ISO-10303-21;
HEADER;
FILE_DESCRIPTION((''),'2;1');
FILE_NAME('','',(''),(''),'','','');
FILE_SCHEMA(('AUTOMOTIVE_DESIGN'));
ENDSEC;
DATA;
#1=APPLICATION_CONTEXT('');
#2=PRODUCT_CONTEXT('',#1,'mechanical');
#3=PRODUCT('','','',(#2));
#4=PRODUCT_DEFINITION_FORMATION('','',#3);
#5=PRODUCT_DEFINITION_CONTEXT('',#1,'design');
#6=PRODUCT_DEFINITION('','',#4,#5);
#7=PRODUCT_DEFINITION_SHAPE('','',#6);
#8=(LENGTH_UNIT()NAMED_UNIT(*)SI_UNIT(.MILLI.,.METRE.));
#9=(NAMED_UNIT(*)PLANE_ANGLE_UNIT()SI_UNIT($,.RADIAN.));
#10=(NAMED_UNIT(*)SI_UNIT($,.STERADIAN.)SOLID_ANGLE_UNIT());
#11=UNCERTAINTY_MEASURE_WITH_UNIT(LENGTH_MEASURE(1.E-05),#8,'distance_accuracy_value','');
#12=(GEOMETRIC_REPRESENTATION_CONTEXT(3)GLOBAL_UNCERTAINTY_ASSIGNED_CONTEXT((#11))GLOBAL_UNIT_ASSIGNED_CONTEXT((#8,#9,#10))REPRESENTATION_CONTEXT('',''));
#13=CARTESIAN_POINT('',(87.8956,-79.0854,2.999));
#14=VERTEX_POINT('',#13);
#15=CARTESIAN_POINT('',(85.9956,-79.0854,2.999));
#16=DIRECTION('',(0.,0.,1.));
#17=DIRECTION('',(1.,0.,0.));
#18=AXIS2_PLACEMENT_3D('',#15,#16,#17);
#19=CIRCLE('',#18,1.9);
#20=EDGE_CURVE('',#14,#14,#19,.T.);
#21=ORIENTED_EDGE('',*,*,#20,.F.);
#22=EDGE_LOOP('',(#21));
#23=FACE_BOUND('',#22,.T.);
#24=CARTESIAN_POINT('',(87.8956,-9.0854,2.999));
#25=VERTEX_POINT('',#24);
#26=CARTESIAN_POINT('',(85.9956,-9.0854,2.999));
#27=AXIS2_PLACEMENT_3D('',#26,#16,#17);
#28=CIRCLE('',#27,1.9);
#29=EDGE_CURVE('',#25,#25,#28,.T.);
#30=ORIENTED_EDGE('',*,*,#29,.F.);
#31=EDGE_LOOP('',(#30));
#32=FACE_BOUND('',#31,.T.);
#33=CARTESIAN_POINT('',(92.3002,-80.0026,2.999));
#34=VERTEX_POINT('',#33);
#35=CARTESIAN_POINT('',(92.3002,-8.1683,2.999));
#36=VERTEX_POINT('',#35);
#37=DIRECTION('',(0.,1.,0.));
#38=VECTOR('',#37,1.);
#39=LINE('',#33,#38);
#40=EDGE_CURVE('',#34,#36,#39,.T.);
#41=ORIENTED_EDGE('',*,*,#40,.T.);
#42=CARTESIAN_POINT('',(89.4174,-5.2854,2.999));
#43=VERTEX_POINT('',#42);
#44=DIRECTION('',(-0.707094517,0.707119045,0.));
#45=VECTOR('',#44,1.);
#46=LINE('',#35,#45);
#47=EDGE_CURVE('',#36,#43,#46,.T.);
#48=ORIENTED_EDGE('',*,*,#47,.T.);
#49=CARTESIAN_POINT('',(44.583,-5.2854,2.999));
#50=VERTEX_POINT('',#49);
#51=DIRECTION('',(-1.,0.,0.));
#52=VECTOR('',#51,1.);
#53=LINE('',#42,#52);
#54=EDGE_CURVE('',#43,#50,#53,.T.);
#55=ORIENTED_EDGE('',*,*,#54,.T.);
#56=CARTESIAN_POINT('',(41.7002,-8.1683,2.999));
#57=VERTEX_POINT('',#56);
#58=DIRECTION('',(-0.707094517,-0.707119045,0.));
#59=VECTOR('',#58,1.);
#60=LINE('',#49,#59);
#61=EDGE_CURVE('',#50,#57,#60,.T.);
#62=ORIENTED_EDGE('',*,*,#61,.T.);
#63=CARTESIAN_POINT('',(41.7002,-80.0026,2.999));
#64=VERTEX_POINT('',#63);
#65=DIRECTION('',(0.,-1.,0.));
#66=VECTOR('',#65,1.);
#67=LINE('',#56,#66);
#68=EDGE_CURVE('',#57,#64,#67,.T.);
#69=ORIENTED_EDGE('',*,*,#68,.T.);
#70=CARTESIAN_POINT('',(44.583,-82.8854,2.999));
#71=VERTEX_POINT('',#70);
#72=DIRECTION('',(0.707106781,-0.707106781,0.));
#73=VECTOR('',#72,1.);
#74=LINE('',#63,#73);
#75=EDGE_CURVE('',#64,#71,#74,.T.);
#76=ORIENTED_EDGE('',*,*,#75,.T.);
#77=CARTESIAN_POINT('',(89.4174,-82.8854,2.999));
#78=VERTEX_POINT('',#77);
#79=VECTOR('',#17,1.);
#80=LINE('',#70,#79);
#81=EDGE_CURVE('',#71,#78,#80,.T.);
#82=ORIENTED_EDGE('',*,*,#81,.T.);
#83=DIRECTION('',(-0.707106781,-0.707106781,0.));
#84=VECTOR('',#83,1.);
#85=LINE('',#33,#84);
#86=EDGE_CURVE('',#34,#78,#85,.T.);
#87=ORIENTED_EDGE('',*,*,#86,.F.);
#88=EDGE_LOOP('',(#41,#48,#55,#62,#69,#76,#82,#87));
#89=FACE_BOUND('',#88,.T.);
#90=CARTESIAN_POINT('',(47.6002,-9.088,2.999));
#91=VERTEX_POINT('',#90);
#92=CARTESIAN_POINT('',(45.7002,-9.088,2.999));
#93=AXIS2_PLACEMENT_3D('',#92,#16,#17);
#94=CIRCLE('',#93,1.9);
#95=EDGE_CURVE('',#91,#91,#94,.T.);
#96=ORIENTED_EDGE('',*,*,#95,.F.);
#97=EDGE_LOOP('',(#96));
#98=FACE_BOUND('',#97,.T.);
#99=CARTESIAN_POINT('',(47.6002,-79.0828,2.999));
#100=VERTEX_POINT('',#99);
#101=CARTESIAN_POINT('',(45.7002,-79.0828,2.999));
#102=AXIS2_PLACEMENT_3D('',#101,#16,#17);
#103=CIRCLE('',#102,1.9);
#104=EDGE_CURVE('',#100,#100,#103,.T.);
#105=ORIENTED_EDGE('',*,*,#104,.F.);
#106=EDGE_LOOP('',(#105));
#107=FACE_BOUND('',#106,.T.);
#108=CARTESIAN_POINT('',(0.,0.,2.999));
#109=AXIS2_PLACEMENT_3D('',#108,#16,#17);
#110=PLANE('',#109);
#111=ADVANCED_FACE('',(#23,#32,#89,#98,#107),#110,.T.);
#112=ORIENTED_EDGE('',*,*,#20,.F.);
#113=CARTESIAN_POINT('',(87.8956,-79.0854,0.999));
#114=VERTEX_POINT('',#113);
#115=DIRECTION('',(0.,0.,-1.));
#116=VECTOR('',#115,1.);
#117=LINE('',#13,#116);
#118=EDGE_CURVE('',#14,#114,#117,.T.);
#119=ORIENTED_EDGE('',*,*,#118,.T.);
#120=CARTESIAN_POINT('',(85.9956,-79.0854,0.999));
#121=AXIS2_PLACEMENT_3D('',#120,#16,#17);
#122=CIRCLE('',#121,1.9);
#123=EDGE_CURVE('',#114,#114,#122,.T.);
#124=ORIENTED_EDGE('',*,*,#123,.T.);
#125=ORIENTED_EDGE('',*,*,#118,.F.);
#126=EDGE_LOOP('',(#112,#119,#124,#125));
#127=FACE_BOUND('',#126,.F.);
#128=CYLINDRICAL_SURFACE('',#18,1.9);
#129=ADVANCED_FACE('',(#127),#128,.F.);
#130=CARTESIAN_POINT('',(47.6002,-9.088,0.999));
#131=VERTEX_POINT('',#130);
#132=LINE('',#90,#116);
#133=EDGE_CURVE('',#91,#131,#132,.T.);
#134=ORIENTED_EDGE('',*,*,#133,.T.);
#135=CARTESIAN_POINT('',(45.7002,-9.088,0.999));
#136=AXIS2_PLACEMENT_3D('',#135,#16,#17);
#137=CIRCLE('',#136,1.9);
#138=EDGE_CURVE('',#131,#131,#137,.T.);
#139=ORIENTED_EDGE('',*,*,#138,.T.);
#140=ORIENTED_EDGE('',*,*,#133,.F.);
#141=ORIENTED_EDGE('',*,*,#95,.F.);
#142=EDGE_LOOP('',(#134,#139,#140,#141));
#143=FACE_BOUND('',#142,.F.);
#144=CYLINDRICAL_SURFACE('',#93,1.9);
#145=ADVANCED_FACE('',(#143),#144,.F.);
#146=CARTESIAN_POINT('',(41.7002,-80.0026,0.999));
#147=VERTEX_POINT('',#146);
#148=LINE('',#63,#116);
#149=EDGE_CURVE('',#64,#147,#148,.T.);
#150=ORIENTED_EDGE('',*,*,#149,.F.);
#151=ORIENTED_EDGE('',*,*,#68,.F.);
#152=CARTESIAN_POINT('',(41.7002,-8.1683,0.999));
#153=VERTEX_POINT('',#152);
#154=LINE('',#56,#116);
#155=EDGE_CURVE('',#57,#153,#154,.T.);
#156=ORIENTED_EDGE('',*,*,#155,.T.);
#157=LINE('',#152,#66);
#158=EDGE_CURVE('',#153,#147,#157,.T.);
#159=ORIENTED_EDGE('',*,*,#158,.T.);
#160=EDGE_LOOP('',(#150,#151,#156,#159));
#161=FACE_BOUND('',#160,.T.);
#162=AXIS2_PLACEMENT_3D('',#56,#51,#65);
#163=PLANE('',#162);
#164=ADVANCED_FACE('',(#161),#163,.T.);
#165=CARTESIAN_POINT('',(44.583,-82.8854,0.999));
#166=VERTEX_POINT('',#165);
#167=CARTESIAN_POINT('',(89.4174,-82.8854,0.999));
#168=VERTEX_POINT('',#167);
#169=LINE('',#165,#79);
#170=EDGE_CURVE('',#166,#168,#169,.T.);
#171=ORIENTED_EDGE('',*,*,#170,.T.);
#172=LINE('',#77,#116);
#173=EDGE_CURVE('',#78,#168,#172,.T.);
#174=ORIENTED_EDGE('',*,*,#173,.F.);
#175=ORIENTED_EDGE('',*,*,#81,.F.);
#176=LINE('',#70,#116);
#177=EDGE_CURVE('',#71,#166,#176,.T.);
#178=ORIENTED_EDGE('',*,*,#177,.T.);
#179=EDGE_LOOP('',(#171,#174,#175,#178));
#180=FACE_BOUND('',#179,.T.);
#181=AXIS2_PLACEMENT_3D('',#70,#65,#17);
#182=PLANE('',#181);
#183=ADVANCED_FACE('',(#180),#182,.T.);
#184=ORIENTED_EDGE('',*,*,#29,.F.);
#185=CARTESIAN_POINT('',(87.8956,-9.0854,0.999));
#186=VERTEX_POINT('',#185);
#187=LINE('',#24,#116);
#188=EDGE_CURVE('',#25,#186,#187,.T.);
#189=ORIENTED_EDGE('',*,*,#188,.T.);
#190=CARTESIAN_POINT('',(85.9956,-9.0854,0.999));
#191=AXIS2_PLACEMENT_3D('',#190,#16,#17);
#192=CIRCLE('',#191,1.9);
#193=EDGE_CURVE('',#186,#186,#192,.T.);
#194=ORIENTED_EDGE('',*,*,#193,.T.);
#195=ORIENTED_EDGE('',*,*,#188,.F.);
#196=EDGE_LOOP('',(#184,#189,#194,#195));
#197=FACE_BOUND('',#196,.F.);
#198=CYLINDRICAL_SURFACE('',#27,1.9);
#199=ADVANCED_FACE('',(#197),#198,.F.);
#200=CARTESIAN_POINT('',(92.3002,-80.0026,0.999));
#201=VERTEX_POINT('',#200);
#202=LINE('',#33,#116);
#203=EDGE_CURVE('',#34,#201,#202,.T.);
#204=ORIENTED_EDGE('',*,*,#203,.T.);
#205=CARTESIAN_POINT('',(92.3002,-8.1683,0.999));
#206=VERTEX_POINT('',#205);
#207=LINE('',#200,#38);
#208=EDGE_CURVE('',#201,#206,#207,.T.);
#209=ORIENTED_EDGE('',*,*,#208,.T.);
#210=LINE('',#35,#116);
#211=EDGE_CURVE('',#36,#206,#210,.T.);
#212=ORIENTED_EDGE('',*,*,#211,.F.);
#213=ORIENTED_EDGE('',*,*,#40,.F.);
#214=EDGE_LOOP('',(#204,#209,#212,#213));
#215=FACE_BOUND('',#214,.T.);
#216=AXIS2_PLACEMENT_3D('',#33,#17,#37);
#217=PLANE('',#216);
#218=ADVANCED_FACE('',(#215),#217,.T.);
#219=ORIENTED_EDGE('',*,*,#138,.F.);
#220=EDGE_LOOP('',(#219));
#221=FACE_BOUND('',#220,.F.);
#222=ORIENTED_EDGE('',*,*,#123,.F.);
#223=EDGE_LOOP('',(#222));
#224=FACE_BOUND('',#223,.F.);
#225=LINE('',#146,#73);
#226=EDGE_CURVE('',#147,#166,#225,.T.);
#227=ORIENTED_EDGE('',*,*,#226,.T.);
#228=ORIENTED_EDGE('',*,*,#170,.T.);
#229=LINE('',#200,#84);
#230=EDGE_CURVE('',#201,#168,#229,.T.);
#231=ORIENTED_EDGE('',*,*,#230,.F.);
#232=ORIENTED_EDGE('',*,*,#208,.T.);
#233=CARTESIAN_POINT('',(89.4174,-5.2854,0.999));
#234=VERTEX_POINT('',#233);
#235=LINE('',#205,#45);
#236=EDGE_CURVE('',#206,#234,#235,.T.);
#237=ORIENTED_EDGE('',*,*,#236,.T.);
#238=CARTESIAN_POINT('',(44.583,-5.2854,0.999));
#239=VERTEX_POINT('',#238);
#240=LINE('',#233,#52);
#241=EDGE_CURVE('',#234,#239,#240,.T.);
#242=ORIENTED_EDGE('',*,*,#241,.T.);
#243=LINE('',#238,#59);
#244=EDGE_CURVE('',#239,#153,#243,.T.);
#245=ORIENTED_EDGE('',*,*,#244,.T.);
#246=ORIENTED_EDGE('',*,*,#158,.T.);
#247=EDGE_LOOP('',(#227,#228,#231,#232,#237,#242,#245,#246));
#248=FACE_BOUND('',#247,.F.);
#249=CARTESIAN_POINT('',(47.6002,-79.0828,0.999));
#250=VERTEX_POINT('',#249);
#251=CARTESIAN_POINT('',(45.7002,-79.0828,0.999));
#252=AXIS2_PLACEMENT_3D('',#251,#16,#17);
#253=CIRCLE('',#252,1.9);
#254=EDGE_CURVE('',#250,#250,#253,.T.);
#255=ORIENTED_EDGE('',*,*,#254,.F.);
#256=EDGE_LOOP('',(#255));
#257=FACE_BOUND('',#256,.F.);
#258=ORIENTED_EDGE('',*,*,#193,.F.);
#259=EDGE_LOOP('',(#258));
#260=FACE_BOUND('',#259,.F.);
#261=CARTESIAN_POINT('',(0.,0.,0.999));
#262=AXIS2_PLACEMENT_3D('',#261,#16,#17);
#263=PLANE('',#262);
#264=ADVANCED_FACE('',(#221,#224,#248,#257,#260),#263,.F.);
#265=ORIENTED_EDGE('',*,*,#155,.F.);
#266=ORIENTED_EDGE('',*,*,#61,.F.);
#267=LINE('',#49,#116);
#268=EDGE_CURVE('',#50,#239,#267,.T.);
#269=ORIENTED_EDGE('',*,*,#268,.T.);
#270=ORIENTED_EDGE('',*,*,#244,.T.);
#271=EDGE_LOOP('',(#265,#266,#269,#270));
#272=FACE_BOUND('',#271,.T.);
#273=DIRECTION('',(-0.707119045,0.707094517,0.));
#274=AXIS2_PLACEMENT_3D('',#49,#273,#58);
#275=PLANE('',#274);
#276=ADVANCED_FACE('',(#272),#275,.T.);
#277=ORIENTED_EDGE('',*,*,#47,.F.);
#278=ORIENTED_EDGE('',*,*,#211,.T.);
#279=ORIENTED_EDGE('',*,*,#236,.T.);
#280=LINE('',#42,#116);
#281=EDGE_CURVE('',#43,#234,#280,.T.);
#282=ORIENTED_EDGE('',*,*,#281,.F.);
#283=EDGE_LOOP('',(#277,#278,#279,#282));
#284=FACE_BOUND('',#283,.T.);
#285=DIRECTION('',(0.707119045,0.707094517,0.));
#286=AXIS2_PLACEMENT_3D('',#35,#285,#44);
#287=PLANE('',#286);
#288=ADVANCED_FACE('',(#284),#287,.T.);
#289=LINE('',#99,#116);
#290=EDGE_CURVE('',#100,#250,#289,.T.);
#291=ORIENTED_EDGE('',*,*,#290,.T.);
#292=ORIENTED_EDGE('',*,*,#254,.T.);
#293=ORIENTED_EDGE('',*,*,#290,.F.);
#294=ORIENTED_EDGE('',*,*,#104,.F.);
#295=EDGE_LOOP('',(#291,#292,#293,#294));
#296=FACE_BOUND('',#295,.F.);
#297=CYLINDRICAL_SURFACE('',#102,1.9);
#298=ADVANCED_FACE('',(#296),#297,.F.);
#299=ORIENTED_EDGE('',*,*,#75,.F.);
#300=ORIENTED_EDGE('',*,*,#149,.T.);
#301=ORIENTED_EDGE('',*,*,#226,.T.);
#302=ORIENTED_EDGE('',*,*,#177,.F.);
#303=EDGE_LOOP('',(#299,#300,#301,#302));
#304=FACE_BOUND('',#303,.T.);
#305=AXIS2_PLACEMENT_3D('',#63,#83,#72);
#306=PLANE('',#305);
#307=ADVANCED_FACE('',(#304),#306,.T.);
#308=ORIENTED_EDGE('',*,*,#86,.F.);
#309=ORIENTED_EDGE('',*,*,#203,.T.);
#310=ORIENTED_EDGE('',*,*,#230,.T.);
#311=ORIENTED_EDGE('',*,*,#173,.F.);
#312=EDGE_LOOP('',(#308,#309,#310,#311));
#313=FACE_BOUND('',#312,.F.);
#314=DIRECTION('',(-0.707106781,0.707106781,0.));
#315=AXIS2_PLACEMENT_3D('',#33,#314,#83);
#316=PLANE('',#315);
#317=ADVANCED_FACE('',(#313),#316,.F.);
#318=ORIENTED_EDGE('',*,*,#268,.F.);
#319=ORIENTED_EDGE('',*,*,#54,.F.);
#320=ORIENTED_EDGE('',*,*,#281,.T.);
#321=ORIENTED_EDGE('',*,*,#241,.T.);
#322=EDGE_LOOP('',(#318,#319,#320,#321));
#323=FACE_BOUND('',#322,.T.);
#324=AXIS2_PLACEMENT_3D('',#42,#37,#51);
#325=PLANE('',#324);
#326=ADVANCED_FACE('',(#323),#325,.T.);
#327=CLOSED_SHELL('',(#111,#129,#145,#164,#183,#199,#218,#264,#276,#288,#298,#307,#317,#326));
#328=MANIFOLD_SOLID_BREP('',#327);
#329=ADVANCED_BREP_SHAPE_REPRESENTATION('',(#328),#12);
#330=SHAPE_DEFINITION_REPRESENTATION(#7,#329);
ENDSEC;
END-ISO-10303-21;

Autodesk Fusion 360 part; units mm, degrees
ref_plane "WorkPlane2" through (0, 0, 2.999) normal (0, 0, 1) x (1, 0, 0)
sketch "Sketch4" plane through (0, 0, 2.999) normal (0, 0, 1) x (1, 0, 0)
  line L0 (92.5002, -5.0854) -> (92.4954, -5.0854)
  line L1 (89.5002, -5.0854) -> (44.5002, -5.0854) construction
  line L2 (44.5002, -5.0854) -> (41.5002, -8.0854) construction
  line L3 (41.5002, -8.0854) -> (41.5002, -80.0854) construction
  line L4 (41.5002, -80.0854) -> (44.5002, -83.0854) construction
  line L5 (44.5002, -83.0854) -> (89.5002, -83.0854) construction
  line L6 (92.5002, -80.0854) -> (92.5002, -8.0854) construction
  line L7 (86.0002, -79.0854) -> (86.0002, -83.0854) construction
  line L8 (86.0002, -79.0854) -> (92.5002, -79.0854) construction
  line L9 (86.0002, -79.0854) -> (45.705, -79.088) construction
  line L10 (45.7002, -79.0828) -> (41.5002, -79.0831) construction
  line L11 (45.7002, -9.088) -> (45.7002, -5.0854) construction
  line L12 (45.7002, -9.088) -> (45.705, -79.088) construction
  line L13 (45.6956, -9.088) -> (85.9956, -9.0854) construction
  line L14 (85.9956, -9.0854) -> (92.5002, -9.0854) construction
  line L15 (85.9956, -9.0854) -> (85.9956, -5.0854) construction
  line L16 (85.9956, -79.0854) -> (85.9931, -9.0854) construction
  line L17 (92.5002, -80.0854) -> (89.5002, -83.0854) construction
  line L18 (92.5002, -8.0854) -> (89.5002, -5.0854) construction
  line L19 (44.583, -82.8854) -> (89.4174, -82.8854)
  line L20 (92.3002, -80.0026) -> (89.4174, -82.8854)
  line L21 (92.3002, -80.0026) -> (92.3002, -8.1683)
  line L22 (92.3002, -8.1683) -> (89.4174, -5.2854)
  line L23 (89.4174, -5.2854) -> (44.583, -5.2854)
  line L24 (44.583, -5.2854) -> (41.7002, -8.1683)
  line L25 (41.7002, -8.1683) -> (41.7002, -80.0026)
  line L26 (41.7002, -80.0026) -> (44.583, -82.8854)
  circle A0 centre (85.9956, -9.0854) radius 1.9
  circle A1 centre (45.7002, -9.088) radius 1.9
  circle A2 centre (85.9956, -79.0854) radius 1.9
  circle A3 centre (45.7002, -79.0828) radius 1.9
  line L27 (92.5002, -44.0854) -> (41.5002, -44.0854) construction
  point P0 (92.5002, -83.0854)
  point P1 (92.5002, -5.0854)
  dimension "d34" = 6.5
  dimension "d35" = 4
  dimension "d36" = 4.2
  dimension "d37" = 40.2952
  dimension "d38" = 4
  dimension "d39" = 3
  dimension "d40" = 3
  dimension "d43" = 78
  dimension "d44" = 3
  dimension "d45" = 3
  dimension "d46" = 3
  dimension "d47" = 3
  dimension "d48" = 3
  dimension "d49" = 3
  dimension "d50" = -0.2
  dimension "d53" = 3.8
  dimension "d54" = 3.8
  dimension "d55" = 3.8
  dimension "d56" = 3.8
  dimension "d57" = 51
extrude "Extrude11" add sketch "Sketch4" against normal blind 2
equation "d39 = d40"
equation "d40 = d44"
equation "d45 = d44"
equation "d46 = d44"
equation "d47 = d46"
equation "d48 = d44"
equation "d49 = d48"
equation "d53 = d55"
equation "d54 = d55"
equation "d56 = d55"
